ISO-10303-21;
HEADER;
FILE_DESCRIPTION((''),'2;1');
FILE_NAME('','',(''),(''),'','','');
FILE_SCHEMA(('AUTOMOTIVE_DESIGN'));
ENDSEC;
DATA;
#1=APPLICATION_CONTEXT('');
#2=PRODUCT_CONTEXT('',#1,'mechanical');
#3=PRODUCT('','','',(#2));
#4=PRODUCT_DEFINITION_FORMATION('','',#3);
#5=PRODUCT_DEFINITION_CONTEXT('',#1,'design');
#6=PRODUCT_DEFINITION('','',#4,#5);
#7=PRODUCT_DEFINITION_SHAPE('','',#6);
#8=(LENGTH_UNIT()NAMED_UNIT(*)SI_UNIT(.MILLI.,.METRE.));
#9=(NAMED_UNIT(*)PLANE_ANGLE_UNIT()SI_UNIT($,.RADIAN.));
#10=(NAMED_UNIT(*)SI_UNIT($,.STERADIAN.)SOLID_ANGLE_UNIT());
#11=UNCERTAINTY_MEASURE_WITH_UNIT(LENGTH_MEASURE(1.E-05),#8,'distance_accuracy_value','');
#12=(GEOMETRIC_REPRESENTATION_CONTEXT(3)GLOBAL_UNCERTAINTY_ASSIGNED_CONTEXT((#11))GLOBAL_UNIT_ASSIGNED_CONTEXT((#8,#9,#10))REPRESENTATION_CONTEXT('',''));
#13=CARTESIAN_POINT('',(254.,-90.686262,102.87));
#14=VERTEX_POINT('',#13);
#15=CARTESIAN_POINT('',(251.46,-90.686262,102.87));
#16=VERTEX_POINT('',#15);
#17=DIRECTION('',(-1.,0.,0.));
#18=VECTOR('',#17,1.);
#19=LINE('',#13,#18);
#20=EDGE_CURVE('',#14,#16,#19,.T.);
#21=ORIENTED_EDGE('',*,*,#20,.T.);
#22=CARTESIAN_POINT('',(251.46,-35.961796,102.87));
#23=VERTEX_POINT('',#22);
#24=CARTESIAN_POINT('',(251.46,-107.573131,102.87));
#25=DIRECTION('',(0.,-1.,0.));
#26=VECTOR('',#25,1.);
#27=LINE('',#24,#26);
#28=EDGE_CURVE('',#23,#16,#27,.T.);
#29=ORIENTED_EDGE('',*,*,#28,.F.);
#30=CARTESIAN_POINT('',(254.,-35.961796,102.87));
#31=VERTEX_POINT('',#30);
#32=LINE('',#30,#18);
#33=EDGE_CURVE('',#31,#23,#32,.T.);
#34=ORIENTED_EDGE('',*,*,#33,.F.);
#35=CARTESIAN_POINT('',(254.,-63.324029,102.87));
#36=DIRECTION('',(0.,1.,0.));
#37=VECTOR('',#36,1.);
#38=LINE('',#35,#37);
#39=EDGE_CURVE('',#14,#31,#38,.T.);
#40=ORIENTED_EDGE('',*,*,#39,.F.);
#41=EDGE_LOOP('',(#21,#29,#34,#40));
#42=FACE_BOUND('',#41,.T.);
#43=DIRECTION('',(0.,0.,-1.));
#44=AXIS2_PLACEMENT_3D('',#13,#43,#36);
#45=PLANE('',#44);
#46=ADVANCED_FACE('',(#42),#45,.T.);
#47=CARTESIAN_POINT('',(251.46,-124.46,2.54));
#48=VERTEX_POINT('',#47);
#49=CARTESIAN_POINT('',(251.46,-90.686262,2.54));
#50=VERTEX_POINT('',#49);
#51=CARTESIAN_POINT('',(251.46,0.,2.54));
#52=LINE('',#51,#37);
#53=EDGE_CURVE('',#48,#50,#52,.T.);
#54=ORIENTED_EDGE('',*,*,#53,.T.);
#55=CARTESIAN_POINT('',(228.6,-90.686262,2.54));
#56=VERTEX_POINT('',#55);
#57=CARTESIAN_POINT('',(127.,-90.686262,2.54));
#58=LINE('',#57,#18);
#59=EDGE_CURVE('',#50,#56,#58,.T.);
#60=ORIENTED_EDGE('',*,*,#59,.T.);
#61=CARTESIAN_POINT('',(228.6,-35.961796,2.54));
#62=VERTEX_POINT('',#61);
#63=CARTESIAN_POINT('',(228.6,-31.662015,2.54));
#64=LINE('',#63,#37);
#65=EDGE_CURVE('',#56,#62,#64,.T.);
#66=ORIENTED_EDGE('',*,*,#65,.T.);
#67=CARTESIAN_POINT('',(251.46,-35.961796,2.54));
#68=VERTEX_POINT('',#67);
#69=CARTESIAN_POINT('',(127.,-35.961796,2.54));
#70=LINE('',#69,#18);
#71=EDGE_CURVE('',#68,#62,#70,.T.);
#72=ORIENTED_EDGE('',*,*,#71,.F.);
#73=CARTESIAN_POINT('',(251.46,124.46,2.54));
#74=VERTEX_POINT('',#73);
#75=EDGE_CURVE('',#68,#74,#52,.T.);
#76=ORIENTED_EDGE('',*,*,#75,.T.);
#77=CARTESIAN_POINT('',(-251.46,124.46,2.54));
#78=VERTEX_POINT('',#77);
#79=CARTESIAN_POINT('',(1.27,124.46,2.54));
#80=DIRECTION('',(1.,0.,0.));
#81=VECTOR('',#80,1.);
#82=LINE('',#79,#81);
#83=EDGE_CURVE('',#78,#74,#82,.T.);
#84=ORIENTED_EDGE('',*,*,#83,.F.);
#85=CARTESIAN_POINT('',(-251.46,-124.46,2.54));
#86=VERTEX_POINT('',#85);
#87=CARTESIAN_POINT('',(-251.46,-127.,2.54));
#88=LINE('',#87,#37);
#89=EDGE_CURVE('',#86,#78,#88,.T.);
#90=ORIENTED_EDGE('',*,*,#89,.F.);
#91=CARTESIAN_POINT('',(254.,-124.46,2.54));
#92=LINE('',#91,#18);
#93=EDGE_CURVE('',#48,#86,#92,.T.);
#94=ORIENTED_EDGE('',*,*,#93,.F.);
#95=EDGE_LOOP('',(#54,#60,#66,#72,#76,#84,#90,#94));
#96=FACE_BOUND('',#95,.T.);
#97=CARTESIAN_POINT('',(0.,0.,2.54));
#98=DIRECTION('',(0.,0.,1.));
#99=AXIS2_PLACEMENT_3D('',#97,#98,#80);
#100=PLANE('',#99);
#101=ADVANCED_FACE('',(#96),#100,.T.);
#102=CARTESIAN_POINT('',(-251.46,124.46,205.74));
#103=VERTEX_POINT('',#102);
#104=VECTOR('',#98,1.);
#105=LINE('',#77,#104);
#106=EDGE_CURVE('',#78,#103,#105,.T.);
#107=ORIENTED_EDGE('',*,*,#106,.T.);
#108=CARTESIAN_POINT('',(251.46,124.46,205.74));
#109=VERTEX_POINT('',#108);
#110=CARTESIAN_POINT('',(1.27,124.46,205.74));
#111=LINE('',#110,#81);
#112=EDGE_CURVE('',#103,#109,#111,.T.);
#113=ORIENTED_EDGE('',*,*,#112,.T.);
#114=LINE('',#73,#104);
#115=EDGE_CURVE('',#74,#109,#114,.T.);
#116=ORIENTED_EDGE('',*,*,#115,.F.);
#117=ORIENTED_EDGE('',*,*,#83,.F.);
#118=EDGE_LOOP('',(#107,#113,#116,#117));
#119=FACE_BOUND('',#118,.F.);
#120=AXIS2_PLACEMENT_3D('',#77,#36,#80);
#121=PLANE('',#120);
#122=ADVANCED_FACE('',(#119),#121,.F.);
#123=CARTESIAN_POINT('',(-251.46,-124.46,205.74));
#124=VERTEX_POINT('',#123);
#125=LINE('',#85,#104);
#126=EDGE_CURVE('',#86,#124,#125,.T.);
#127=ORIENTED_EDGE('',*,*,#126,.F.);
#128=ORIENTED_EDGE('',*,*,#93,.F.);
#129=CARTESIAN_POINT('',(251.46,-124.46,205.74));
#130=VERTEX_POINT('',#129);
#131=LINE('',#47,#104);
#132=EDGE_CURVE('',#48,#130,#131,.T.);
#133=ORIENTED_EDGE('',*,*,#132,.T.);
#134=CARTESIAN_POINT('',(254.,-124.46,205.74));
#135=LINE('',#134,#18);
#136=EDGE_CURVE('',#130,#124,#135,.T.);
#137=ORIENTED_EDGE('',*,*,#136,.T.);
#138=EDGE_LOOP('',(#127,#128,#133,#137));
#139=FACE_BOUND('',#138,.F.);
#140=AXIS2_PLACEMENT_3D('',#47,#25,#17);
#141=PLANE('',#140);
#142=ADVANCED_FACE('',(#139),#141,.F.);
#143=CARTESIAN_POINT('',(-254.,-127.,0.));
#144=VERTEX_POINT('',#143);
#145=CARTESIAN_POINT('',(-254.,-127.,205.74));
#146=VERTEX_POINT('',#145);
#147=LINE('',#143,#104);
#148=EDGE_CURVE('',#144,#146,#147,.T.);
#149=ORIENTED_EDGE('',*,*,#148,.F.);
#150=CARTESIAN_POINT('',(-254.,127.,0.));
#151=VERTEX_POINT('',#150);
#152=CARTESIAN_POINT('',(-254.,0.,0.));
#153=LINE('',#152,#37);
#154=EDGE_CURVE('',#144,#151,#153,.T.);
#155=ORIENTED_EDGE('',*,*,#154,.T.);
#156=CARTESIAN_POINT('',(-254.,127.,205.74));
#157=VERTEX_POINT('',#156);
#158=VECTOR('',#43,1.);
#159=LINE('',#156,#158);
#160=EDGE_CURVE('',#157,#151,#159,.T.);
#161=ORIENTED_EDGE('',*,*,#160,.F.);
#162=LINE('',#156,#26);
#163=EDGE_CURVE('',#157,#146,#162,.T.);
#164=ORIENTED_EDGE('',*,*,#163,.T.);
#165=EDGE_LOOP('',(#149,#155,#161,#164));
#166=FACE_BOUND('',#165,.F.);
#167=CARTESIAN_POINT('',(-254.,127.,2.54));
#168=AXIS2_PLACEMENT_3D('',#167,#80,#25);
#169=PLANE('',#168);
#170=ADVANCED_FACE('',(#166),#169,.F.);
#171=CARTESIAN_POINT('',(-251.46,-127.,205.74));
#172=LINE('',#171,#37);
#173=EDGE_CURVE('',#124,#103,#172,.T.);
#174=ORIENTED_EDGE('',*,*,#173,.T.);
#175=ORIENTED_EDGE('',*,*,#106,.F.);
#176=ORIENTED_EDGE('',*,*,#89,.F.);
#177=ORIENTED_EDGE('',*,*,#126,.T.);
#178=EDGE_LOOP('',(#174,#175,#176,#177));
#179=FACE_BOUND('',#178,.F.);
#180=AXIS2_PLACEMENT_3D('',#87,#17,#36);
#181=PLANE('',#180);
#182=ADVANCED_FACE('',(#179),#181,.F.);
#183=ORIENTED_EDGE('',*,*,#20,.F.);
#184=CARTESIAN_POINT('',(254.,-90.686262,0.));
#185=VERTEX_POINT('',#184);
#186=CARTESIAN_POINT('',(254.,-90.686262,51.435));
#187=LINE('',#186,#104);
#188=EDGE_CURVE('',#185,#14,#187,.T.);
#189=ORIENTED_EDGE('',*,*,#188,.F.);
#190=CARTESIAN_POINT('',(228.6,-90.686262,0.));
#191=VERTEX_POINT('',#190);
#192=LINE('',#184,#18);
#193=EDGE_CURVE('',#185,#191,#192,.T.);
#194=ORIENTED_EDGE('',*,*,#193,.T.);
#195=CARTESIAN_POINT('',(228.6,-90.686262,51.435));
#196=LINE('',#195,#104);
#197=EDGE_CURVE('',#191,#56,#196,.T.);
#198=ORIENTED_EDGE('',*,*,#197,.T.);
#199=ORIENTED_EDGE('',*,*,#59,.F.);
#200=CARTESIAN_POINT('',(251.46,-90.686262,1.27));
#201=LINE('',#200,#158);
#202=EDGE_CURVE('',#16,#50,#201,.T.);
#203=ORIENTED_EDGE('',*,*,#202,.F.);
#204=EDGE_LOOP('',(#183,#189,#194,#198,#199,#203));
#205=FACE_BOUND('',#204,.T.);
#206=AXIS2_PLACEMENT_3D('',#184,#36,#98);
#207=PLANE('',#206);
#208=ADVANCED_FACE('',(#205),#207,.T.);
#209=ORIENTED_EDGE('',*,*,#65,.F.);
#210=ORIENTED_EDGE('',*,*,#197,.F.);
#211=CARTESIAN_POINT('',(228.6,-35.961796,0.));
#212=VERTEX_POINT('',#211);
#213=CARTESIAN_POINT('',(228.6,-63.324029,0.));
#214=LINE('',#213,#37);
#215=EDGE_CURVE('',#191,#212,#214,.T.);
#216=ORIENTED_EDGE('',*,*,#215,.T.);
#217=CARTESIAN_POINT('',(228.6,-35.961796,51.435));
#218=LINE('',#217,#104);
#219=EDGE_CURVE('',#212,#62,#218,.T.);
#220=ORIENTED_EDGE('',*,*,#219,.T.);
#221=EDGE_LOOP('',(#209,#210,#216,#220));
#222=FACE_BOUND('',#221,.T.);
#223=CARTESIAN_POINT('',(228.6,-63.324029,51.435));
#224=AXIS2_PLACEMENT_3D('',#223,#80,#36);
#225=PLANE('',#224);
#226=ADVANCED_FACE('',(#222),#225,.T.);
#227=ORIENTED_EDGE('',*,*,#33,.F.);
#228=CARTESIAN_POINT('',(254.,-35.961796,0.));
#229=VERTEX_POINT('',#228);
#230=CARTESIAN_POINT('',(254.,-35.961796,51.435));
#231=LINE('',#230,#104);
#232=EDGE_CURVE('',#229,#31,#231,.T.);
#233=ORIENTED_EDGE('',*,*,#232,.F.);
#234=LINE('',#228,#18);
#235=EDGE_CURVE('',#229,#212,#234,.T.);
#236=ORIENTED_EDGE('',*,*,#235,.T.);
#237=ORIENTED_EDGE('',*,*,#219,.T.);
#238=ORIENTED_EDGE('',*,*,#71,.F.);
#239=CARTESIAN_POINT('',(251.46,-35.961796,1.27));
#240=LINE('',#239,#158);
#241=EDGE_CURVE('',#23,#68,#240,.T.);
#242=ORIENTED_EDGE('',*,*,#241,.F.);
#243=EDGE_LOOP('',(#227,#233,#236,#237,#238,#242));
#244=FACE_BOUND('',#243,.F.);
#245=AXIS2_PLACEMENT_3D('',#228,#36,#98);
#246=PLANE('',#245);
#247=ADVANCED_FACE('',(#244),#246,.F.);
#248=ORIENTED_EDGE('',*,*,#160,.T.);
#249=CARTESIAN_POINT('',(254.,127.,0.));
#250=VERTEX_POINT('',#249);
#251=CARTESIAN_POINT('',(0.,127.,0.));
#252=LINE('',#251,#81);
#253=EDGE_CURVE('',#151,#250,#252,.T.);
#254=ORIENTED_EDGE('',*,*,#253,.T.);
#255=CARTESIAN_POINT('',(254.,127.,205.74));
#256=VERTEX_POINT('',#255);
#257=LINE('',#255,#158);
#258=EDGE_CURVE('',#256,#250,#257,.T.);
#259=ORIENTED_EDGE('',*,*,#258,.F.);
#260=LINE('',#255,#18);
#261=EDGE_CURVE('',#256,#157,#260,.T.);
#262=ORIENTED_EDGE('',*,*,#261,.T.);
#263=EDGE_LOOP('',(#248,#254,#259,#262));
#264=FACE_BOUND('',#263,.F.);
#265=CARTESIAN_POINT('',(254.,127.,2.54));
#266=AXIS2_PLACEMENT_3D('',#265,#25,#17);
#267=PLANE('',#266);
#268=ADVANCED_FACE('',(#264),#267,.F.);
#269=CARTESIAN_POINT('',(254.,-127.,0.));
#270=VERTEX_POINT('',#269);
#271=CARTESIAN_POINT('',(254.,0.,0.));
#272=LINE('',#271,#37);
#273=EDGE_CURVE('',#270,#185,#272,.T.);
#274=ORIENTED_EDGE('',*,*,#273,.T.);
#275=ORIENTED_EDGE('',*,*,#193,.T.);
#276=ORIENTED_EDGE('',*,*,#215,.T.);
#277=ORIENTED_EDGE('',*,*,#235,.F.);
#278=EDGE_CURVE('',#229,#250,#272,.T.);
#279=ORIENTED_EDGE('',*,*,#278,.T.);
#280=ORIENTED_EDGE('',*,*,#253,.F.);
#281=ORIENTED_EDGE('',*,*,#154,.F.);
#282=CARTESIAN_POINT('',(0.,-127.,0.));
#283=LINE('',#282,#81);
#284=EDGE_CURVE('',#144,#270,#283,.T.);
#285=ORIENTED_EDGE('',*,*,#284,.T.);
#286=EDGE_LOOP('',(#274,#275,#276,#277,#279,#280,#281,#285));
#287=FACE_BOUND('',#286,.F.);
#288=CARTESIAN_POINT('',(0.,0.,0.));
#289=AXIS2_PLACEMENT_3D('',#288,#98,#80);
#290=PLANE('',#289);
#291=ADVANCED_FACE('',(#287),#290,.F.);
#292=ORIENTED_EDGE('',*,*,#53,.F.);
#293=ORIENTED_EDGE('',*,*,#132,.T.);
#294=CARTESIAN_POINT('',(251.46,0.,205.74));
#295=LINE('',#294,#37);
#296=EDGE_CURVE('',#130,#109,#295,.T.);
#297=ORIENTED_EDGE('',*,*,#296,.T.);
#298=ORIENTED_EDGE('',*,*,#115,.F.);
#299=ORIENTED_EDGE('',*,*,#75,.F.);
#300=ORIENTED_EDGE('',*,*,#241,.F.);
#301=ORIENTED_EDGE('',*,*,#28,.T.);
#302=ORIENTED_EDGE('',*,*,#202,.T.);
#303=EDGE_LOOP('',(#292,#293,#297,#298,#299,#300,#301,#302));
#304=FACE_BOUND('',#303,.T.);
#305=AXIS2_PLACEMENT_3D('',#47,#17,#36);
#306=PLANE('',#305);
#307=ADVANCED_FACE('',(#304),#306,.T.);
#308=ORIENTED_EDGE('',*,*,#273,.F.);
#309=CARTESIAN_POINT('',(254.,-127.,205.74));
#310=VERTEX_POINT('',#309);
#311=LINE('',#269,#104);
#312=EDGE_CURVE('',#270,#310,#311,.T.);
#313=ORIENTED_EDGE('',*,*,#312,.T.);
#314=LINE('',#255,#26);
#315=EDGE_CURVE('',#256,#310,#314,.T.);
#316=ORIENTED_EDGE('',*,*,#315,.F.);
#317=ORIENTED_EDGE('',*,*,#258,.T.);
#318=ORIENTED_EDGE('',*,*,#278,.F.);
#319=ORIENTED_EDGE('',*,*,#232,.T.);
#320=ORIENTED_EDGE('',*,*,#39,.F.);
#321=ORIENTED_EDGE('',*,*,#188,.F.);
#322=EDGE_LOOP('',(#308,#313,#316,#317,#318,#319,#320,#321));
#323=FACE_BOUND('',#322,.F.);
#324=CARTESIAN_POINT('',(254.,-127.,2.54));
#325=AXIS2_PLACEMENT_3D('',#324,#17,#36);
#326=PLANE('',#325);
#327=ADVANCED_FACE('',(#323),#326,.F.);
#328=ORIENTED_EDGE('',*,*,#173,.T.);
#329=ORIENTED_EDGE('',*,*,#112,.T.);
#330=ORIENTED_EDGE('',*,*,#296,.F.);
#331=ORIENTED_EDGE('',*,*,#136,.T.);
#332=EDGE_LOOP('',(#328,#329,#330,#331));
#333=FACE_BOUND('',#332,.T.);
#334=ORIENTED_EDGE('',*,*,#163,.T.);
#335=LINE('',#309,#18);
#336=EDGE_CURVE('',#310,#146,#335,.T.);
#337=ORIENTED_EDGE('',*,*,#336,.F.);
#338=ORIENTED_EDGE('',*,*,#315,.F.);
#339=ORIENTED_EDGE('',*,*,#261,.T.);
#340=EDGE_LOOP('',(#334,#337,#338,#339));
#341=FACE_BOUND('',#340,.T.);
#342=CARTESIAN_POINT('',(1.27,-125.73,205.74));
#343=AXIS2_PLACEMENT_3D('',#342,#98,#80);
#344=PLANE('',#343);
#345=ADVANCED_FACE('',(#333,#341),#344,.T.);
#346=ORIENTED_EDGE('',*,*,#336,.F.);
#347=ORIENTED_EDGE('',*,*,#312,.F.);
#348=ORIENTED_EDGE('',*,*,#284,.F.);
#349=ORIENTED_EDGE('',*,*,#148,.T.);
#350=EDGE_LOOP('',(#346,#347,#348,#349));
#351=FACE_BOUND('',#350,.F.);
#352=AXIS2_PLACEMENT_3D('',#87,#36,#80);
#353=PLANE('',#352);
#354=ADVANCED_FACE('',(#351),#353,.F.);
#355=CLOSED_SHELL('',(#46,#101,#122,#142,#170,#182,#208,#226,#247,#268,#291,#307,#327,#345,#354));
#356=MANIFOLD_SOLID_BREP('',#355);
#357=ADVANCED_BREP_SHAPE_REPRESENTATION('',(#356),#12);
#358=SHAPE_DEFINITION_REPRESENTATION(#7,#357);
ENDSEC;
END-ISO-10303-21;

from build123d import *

# Parameters (mm, degrees)
F0_W     = 508
F0_H     = 254
F1_DEPTH = 2.54
F2_W     = 505.46
F2_H     = 2.54
F3_DEPTH = 203.2
F4_W     = 2.54
F4_H     = 248.92
F5_DEPTH = 203.2
F6_W     = 54.724466
F6_H     = 102.87
F7_DEPTH = 25.4


with BuildPart() as f1:
    # F0 (on Top) → F1 (new body)
    with BuildSketch(Plane.XY):
        Rectangle(F0_W, F0_H)
    extrude(amount=F1_DEPTH)

    # F2 (on face) → F3 (join)
    with BuildSketch(Plane.XY.offset(2.54)):
        Polygon((-251.46, 127), (-254, 127), (-254, -127), (-251.46, -127), (-251.46, 124.46), align=None)
        with Locations((1.27, 125.73)):
            Rectangle(F2_W, F2_H)
    extrude(amount=F3_DEPTH)

    # F4 (on face) → F5 (join)
    with BuildSketch(Plane.XY.offset(2.54)):
        Polygon((-251.46, -124.46), (-251.46, -127), (254, -127), (254, -124.46), (251.46, -124.46), align=None)
        with Locations((252.73, 0)):
            Rectangle(F4_W, F4_H)
    extrude(amount=F5_DEPTH)

    # F6 (on face) → F7 (cut)
    with BuildSketch(Plane.YZ.offset(254)):
        with Locations((-63.324029, 51.435)):
            Rectangle(F6_W, F6_H)
    extrude(amount=-F7_DEPTH, mode=Mode.SUBTRACT)


solid = f1.part
